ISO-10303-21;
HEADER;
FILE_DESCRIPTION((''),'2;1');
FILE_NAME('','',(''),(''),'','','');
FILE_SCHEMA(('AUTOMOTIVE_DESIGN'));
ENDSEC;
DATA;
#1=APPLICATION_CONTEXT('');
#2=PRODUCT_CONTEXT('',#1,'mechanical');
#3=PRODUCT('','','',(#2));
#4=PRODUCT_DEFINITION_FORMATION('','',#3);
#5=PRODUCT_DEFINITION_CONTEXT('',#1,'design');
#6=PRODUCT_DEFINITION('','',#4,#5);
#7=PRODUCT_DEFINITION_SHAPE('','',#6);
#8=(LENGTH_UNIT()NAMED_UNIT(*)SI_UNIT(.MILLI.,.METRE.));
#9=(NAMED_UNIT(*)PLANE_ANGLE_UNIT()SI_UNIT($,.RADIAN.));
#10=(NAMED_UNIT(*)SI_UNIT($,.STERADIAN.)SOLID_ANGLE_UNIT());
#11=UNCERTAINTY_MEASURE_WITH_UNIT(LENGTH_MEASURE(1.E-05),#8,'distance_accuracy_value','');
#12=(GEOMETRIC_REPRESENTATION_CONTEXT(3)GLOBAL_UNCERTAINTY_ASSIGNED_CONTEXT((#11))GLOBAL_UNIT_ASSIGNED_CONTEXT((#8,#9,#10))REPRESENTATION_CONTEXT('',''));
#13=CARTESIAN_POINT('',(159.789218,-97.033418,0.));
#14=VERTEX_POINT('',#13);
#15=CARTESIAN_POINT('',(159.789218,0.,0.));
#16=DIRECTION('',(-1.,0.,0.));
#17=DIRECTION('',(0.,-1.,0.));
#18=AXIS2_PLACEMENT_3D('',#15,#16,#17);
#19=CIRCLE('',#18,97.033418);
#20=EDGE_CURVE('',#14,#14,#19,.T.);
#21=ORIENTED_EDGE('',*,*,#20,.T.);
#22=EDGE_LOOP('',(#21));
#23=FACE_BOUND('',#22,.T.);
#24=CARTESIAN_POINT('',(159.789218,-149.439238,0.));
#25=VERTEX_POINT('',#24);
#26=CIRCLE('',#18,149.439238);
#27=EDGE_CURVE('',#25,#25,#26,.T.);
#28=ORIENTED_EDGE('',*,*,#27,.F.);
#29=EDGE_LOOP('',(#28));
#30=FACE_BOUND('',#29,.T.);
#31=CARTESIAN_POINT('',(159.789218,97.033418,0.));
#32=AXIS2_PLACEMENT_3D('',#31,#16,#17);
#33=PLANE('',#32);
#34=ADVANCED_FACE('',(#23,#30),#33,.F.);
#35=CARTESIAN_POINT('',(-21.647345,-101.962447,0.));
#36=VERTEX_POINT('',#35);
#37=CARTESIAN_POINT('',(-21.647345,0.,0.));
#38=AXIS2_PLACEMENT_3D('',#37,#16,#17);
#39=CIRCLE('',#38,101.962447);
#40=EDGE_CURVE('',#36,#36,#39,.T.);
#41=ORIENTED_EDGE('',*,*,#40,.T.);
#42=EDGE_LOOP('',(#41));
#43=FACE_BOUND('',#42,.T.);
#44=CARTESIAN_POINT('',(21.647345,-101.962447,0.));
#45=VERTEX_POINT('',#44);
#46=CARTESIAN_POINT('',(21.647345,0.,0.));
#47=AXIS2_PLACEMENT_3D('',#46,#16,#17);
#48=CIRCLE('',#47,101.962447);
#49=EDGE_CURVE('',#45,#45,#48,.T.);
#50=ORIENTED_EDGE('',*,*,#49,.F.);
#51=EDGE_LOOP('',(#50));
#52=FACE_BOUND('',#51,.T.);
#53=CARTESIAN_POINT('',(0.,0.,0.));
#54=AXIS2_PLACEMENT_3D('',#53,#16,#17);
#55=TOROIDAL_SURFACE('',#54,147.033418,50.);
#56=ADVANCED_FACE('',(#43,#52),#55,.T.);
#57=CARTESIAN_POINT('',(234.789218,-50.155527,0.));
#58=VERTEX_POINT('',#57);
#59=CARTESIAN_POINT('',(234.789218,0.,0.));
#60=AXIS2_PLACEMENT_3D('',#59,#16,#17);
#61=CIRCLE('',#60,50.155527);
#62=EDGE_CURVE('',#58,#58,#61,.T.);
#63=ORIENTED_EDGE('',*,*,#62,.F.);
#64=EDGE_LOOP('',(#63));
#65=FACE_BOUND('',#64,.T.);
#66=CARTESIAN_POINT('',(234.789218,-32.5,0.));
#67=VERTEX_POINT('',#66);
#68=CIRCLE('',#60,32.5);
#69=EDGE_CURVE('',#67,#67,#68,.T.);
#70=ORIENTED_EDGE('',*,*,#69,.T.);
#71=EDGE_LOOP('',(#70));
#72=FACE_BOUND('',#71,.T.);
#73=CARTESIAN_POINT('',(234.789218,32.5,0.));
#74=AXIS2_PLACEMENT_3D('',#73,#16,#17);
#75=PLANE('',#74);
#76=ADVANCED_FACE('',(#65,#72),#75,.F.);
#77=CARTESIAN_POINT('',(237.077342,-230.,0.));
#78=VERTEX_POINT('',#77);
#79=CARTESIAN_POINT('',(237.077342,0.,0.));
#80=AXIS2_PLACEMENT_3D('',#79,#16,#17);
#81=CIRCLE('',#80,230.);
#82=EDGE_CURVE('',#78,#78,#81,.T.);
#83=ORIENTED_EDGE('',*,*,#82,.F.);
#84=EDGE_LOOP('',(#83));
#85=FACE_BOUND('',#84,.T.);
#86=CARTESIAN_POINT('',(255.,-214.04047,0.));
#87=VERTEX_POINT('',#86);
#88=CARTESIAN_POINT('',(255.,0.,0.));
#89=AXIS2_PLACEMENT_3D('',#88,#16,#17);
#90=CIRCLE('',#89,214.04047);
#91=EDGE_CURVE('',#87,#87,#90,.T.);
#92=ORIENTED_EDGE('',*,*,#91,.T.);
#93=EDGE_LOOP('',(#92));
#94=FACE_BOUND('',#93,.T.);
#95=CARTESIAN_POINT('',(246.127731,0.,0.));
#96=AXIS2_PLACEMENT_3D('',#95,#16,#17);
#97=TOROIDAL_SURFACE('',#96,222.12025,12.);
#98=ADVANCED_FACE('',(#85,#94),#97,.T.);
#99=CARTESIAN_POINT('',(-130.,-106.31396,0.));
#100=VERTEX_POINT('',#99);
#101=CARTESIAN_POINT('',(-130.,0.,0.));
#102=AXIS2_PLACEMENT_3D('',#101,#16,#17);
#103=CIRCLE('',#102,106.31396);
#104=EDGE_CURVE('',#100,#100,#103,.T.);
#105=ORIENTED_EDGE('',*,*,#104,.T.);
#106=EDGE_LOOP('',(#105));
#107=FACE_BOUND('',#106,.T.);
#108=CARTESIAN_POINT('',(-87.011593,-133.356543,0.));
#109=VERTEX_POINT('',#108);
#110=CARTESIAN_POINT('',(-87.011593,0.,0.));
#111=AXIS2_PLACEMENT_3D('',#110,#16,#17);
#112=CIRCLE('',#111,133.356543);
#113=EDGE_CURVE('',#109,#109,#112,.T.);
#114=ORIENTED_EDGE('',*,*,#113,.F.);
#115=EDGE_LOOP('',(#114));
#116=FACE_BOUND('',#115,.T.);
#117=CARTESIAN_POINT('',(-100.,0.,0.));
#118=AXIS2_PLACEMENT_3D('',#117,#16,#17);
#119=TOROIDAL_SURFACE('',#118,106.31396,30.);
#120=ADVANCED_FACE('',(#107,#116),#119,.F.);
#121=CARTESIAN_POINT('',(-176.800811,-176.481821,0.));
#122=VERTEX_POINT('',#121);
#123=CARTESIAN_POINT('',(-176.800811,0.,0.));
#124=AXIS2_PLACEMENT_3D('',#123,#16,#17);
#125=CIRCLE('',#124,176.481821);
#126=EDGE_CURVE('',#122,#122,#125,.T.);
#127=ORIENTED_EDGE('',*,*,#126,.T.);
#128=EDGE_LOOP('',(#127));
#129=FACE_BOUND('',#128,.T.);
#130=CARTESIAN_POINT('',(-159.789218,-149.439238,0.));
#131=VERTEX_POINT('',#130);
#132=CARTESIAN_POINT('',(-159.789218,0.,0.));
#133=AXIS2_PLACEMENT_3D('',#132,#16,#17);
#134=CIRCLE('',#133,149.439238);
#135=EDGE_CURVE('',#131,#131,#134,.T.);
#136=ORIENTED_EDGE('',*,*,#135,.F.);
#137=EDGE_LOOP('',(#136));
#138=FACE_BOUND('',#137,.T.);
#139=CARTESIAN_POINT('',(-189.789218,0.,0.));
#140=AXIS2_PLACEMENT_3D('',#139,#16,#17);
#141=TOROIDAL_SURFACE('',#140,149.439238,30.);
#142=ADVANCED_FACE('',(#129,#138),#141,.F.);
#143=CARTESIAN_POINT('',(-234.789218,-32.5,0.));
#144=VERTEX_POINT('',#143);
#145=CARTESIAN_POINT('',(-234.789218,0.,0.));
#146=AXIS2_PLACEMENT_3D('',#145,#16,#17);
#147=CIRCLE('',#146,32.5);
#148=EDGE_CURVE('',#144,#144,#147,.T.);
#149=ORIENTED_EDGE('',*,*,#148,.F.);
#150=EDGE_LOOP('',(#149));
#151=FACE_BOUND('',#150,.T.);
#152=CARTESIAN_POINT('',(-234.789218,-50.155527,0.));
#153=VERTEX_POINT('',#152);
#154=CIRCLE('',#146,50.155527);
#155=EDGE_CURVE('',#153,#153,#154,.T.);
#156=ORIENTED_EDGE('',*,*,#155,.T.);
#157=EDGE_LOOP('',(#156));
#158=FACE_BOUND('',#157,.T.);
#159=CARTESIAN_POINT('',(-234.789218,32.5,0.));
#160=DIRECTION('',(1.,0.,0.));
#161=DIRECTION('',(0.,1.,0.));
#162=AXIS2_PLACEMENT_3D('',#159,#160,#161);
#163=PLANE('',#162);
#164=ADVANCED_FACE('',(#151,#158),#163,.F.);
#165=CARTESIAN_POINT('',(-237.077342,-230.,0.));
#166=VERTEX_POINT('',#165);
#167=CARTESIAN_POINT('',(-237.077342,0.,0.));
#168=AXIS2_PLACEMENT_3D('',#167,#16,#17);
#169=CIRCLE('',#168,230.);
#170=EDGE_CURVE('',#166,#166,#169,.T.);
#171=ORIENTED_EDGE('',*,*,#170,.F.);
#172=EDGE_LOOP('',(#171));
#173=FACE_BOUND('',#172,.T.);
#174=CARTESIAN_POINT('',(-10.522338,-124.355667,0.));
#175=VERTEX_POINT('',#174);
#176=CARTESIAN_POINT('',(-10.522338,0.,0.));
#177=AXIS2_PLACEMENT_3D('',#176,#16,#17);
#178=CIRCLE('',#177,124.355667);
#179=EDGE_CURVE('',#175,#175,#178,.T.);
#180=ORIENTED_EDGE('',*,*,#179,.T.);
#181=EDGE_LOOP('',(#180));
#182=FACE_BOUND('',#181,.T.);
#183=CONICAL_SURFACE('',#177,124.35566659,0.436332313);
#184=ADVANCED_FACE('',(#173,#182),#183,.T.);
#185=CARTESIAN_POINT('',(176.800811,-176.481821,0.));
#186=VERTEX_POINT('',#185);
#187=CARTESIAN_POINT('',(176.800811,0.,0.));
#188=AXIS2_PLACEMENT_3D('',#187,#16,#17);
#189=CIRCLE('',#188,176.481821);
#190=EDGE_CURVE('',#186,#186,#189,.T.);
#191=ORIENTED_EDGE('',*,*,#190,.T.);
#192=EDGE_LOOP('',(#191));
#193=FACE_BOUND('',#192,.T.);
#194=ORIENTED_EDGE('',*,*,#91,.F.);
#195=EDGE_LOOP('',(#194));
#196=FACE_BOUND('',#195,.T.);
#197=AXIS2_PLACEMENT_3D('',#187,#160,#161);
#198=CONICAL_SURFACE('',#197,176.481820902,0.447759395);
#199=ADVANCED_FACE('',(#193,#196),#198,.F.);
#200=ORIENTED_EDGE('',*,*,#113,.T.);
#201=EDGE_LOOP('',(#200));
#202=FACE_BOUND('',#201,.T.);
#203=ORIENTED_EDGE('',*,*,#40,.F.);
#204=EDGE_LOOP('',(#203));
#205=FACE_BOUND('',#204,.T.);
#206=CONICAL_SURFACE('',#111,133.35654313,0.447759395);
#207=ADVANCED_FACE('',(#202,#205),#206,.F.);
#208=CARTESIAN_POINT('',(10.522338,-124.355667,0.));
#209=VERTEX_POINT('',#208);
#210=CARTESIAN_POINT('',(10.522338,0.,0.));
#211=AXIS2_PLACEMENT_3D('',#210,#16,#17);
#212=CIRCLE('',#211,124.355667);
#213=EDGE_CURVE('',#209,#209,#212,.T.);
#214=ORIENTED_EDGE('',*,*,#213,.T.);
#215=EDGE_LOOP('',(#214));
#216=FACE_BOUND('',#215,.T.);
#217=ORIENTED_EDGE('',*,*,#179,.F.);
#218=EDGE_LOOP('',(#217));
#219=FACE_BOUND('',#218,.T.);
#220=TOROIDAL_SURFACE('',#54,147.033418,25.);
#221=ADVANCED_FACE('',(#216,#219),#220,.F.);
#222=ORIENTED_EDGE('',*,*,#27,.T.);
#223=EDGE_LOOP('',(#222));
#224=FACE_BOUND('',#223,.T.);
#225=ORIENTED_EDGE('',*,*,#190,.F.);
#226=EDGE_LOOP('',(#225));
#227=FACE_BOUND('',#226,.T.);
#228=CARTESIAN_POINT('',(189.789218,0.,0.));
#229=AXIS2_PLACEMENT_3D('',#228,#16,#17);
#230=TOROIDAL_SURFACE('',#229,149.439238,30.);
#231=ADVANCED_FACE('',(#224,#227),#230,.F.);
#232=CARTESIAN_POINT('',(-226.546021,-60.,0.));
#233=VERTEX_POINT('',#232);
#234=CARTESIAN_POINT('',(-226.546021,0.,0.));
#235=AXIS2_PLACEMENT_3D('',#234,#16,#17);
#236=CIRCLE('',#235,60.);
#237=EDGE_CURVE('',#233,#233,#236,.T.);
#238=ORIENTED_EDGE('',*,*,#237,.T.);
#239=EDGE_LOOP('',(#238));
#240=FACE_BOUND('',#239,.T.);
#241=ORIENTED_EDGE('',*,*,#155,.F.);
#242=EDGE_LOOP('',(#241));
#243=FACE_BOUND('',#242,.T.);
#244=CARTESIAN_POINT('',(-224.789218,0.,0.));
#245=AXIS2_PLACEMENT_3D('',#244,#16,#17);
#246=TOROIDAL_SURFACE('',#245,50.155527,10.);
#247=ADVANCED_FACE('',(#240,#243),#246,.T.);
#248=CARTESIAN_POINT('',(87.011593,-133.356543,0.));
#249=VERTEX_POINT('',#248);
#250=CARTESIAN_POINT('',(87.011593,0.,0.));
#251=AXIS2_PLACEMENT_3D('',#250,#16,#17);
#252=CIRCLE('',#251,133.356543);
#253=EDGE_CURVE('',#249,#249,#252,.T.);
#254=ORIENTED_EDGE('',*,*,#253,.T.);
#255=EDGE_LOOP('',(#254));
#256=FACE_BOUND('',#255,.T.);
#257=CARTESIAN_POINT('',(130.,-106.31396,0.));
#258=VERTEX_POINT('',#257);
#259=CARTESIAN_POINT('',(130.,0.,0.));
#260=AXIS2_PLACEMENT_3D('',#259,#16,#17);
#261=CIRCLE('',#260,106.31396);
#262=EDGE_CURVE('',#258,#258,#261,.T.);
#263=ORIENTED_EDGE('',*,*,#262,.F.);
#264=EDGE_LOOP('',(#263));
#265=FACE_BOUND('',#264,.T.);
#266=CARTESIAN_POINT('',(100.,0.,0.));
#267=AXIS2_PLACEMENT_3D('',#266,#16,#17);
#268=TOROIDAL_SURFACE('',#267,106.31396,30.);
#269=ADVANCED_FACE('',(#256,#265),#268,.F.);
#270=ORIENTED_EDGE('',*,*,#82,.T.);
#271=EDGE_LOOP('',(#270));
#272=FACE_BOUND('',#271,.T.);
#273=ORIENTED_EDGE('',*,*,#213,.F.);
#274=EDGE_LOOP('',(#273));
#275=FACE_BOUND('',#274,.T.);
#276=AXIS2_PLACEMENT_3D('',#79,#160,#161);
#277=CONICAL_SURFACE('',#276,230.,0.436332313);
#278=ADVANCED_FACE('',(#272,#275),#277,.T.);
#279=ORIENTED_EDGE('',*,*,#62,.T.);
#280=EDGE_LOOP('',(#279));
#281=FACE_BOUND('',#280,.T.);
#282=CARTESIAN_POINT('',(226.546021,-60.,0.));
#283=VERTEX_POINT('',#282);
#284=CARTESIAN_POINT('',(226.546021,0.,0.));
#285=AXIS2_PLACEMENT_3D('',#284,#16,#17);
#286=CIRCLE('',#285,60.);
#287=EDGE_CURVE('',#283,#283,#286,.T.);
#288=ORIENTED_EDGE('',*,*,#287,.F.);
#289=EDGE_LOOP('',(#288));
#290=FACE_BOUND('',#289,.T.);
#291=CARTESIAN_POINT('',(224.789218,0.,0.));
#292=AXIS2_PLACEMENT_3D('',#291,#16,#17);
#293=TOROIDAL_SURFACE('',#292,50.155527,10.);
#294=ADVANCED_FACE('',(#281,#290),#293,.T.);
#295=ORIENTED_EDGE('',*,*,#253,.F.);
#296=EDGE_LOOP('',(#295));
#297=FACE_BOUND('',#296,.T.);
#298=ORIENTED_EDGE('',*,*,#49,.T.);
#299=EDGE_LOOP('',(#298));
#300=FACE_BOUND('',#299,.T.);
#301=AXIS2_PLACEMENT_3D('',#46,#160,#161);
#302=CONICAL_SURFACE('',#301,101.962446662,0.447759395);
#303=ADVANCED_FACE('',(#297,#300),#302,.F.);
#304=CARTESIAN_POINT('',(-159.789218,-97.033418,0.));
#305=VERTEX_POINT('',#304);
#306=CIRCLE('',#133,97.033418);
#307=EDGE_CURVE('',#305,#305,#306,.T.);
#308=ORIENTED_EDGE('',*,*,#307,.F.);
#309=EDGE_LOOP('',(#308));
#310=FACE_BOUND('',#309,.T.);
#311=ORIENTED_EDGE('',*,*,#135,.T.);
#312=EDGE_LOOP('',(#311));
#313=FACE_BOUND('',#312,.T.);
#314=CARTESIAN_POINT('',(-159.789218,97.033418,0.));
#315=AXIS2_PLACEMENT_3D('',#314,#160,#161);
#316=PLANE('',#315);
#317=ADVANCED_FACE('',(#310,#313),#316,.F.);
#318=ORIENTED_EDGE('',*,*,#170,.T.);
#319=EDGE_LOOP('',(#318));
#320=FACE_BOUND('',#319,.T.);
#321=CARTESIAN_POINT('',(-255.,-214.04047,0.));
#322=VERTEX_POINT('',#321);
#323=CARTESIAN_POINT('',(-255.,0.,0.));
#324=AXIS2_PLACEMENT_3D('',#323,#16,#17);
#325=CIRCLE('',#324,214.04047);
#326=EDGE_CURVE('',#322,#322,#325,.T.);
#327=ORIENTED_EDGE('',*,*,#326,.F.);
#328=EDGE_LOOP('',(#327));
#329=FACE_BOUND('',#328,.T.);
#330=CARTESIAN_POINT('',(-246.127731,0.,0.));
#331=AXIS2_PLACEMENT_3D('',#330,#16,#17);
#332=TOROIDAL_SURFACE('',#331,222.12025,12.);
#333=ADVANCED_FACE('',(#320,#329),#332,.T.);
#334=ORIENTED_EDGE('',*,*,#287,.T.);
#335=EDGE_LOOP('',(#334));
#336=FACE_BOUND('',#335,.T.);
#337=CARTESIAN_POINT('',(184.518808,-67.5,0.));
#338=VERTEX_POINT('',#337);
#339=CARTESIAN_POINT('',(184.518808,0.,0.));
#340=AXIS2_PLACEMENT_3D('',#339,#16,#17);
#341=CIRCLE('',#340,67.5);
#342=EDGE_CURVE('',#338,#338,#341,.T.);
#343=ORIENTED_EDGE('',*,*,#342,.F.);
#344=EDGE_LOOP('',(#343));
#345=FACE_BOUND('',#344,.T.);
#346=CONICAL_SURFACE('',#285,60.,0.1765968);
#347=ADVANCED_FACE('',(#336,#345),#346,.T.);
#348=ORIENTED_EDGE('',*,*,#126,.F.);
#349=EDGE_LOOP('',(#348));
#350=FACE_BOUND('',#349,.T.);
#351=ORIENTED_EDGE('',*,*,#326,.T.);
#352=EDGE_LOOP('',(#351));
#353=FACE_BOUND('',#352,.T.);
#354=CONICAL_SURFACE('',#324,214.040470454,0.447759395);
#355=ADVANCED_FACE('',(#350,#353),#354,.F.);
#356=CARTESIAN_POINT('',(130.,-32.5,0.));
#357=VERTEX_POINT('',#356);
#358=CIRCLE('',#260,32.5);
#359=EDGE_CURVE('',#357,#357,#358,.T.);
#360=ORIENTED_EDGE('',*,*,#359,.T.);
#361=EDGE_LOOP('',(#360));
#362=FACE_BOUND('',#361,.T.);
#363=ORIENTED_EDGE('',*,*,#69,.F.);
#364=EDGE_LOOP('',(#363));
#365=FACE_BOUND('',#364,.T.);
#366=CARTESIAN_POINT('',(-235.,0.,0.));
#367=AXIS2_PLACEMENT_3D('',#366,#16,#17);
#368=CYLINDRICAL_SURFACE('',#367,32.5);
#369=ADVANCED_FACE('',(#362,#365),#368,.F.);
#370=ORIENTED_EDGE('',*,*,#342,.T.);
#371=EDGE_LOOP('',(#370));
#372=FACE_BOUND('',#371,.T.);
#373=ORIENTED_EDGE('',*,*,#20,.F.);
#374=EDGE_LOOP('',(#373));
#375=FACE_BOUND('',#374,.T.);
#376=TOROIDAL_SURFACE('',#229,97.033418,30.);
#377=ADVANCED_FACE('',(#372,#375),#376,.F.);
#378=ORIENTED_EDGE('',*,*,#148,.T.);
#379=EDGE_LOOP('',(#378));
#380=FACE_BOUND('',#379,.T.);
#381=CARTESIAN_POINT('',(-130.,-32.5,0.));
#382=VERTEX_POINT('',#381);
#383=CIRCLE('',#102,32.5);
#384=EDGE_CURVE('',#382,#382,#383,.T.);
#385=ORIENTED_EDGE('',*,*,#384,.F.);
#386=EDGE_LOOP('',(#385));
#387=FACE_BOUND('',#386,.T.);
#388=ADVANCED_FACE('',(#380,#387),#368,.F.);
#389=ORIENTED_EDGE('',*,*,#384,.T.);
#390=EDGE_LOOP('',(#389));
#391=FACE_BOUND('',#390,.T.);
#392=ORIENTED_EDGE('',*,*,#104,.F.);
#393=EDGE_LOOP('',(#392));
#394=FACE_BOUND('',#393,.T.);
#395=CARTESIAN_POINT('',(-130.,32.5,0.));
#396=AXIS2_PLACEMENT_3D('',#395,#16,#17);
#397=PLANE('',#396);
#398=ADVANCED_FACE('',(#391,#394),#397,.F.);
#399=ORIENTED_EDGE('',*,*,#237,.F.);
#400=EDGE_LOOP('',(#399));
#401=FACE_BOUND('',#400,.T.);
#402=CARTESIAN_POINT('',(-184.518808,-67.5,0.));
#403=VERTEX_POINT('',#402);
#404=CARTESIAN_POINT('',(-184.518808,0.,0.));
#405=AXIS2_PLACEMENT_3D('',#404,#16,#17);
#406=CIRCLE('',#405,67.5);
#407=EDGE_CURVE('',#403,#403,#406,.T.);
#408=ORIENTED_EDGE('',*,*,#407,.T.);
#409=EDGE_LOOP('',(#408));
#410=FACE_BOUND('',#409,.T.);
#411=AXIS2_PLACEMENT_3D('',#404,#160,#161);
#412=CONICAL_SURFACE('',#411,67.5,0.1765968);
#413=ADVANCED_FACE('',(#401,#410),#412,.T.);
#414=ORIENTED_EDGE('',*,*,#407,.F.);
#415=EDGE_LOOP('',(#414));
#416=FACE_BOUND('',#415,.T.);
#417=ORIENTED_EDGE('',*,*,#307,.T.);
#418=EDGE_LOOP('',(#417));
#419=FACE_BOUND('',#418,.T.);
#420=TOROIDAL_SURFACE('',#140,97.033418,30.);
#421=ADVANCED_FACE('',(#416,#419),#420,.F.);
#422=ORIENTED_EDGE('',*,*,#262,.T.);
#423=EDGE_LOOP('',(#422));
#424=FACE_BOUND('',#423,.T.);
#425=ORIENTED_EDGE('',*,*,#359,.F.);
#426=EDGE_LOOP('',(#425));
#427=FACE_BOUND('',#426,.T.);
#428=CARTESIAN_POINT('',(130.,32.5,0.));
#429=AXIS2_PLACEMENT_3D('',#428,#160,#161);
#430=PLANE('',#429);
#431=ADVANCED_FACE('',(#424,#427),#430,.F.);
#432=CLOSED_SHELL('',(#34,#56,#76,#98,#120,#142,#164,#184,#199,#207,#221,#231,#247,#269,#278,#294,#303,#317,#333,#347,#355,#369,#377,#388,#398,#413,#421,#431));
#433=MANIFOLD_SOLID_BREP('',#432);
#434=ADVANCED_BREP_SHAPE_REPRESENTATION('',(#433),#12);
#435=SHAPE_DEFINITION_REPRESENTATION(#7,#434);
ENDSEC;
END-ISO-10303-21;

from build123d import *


with BuildPart() as part:
    # Sketch1 → Revolve1 (revolve)
    with BuildSketch(Plane.XY, mode=Mode.PRIVATE) as revolve1_sk:
        with BuildLine():
            Line((-234.789217647, 32.5), (-234.789217647, 50.155527323))
            ThreePointArc((-234.789217647, 50.155527323), (-232.456291164, 56.575494899), (-226.546020911, 60))
            Line((-226.546020911, 60), (-184.518807854, 67.5))
            ThreePointArc((-184.518807854, 67.5), (-166.787997094, 77.773515303), (-159.789217647, 97.033418031))
            Line((-159.789217647, 97.033418031), (-159.789217647, 149.439238081))
            ThreePointArc((-159.789217647, 149.439238081), (-164.395791257, 165.413401477), (-176.800810726, 176.481820902))
            Line((-176.800810726, 176.481820902), (-255, 214.040470454))
            ThreePointArc((-255, 214.040470454), (-254.107992287, 231.082137047), (-237.077341757, 230))
            Line((-237.077341757, 230), (-10.522337646, 124.35566659))
            ThreePointArc((-10.522337646, 124.35566659), (0, 122.033418031), (10.522337646, 124.35566659))
            Line((10.522337646, 124.35566659), (237.077341757, 230))
            ThreePointArc((237.077341757, 230), (254.107992287, 231.082137047), (255, 214.040470454))
            Line((255, 214.040470454), (176.800810726, 176.481820902))
            ThreePointArc((176.800810726, 176.481820902), (164.395791257, 165.413401477), (159.789217647, 149.439238081))
            Line((159.789217647, 149.439238081), (159.789217647, 97.033418031))
            ThreePointArc((159.789217647, 97.033418031), (166.787997094, 77.773515303), (184.518807854, 67.5))
            Line((184.518807854, 67.5), (226.546020911, 60))
            ThreePointArc((226.546020911, 60), (232.456291164, 56.575494899), (234.789217647, 50.155527323))
            Line((234.789217647, 50.155527323), (234.789217647, 32.5))
            Line((234.789217647, 32.5), (130, 32.5))
            Line((130, 32.5), (130, 106.313960308))
            ThreePointArc((130, 106.313960308), (115.974163396, 131.707386698), (87.011593079, 133.35654313))
            Line((87.011593079, 133.35654313), (21.647344868, 101.962446662))
            ThreePointArc((21.647344868, 101.962446662), (0, 97.033418031), (-21.647344868, 101.962446662))
            Line((-21.647344868, 101.962446662), (-87.011593079, 133.35654313))
            ThreePointArc((-87.011593079, 133.35654313), (-115.974163396, 131.707386698), (-130, 106.313960308))
            Line((-130, 106.313960308), (-130, 32.5))
            Line((-130, 32.5), (-234.789217647, 32.5))
        make_face()
    revolve(revolve1_sk.sketch.rotate(Axis((-235, 0, 0), (1, 0, 0)), 180), axis=Axis((-235, 0, 0), (1, 0, 0)))


solid = part.part
